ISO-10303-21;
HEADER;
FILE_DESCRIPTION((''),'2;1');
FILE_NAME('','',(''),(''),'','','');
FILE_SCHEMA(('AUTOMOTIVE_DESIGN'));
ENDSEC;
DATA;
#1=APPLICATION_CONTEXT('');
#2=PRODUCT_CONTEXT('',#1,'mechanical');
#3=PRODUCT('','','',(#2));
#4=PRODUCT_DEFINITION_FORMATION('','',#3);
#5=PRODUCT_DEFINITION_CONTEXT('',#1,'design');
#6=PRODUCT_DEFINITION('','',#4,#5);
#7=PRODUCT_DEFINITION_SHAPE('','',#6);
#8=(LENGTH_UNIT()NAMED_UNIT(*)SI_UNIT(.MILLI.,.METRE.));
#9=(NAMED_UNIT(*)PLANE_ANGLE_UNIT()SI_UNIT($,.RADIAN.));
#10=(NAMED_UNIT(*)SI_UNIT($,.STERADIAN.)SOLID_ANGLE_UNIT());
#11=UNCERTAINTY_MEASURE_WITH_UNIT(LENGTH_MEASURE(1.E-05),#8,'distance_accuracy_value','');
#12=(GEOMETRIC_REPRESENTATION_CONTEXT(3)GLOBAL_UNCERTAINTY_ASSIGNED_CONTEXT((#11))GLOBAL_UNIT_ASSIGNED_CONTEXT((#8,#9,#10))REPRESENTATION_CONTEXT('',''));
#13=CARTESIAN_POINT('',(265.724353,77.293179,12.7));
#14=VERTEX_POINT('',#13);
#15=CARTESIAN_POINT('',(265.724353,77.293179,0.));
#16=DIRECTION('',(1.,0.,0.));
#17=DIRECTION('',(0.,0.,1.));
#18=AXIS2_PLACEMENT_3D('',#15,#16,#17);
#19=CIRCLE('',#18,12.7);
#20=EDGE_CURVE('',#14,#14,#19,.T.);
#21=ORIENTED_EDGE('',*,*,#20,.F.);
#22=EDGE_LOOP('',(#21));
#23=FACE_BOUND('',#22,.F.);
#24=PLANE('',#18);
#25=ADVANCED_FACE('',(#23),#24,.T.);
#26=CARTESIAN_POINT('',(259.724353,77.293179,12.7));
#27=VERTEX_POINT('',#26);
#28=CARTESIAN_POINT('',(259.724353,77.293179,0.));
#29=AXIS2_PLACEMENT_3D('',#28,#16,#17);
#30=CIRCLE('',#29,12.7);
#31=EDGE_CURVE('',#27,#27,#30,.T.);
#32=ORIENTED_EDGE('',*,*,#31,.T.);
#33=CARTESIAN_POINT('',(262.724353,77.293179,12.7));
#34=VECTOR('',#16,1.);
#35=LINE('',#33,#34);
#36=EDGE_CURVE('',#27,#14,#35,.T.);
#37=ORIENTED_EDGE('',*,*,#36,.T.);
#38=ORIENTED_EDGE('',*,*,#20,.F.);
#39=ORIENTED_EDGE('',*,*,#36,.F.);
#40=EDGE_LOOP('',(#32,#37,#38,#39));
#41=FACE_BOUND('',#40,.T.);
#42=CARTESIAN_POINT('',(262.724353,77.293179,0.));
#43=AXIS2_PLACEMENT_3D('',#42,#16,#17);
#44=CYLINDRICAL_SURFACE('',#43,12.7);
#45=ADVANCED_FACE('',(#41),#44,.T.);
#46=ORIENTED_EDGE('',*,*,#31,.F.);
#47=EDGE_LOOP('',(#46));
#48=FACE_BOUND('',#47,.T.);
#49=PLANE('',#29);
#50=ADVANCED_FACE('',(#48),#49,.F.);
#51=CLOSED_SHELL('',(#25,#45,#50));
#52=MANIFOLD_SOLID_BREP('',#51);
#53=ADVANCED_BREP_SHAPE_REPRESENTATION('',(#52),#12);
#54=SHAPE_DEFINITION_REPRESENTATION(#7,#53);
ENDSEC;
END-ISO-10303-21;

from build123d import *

# Parameters (mm, degrees)
SKETCH_1_W = 6
SKETCH_1_H = 12.7


with BuildPart() as part:
    # 草图1 → 旋转1 (revolve)
    with BuildSketch(Plane.XY, mode=Mode.PRIVATE) as revolve_1_sk:
        with Locations((262.724352893, 83.643179349)):
            Rectangle(SKETCH_1_W, SKETCH_1_H)
    revolve(revolve_1_sk.sketch.rotate(Axis((254.000801993, 77.293179349, 0), (1, 0, 0)), 90), axis=Axis((254.000801993, 77.293179349, 0), (1, 0, 0)))  # turned: the seam where the file's is


solid = part.part
